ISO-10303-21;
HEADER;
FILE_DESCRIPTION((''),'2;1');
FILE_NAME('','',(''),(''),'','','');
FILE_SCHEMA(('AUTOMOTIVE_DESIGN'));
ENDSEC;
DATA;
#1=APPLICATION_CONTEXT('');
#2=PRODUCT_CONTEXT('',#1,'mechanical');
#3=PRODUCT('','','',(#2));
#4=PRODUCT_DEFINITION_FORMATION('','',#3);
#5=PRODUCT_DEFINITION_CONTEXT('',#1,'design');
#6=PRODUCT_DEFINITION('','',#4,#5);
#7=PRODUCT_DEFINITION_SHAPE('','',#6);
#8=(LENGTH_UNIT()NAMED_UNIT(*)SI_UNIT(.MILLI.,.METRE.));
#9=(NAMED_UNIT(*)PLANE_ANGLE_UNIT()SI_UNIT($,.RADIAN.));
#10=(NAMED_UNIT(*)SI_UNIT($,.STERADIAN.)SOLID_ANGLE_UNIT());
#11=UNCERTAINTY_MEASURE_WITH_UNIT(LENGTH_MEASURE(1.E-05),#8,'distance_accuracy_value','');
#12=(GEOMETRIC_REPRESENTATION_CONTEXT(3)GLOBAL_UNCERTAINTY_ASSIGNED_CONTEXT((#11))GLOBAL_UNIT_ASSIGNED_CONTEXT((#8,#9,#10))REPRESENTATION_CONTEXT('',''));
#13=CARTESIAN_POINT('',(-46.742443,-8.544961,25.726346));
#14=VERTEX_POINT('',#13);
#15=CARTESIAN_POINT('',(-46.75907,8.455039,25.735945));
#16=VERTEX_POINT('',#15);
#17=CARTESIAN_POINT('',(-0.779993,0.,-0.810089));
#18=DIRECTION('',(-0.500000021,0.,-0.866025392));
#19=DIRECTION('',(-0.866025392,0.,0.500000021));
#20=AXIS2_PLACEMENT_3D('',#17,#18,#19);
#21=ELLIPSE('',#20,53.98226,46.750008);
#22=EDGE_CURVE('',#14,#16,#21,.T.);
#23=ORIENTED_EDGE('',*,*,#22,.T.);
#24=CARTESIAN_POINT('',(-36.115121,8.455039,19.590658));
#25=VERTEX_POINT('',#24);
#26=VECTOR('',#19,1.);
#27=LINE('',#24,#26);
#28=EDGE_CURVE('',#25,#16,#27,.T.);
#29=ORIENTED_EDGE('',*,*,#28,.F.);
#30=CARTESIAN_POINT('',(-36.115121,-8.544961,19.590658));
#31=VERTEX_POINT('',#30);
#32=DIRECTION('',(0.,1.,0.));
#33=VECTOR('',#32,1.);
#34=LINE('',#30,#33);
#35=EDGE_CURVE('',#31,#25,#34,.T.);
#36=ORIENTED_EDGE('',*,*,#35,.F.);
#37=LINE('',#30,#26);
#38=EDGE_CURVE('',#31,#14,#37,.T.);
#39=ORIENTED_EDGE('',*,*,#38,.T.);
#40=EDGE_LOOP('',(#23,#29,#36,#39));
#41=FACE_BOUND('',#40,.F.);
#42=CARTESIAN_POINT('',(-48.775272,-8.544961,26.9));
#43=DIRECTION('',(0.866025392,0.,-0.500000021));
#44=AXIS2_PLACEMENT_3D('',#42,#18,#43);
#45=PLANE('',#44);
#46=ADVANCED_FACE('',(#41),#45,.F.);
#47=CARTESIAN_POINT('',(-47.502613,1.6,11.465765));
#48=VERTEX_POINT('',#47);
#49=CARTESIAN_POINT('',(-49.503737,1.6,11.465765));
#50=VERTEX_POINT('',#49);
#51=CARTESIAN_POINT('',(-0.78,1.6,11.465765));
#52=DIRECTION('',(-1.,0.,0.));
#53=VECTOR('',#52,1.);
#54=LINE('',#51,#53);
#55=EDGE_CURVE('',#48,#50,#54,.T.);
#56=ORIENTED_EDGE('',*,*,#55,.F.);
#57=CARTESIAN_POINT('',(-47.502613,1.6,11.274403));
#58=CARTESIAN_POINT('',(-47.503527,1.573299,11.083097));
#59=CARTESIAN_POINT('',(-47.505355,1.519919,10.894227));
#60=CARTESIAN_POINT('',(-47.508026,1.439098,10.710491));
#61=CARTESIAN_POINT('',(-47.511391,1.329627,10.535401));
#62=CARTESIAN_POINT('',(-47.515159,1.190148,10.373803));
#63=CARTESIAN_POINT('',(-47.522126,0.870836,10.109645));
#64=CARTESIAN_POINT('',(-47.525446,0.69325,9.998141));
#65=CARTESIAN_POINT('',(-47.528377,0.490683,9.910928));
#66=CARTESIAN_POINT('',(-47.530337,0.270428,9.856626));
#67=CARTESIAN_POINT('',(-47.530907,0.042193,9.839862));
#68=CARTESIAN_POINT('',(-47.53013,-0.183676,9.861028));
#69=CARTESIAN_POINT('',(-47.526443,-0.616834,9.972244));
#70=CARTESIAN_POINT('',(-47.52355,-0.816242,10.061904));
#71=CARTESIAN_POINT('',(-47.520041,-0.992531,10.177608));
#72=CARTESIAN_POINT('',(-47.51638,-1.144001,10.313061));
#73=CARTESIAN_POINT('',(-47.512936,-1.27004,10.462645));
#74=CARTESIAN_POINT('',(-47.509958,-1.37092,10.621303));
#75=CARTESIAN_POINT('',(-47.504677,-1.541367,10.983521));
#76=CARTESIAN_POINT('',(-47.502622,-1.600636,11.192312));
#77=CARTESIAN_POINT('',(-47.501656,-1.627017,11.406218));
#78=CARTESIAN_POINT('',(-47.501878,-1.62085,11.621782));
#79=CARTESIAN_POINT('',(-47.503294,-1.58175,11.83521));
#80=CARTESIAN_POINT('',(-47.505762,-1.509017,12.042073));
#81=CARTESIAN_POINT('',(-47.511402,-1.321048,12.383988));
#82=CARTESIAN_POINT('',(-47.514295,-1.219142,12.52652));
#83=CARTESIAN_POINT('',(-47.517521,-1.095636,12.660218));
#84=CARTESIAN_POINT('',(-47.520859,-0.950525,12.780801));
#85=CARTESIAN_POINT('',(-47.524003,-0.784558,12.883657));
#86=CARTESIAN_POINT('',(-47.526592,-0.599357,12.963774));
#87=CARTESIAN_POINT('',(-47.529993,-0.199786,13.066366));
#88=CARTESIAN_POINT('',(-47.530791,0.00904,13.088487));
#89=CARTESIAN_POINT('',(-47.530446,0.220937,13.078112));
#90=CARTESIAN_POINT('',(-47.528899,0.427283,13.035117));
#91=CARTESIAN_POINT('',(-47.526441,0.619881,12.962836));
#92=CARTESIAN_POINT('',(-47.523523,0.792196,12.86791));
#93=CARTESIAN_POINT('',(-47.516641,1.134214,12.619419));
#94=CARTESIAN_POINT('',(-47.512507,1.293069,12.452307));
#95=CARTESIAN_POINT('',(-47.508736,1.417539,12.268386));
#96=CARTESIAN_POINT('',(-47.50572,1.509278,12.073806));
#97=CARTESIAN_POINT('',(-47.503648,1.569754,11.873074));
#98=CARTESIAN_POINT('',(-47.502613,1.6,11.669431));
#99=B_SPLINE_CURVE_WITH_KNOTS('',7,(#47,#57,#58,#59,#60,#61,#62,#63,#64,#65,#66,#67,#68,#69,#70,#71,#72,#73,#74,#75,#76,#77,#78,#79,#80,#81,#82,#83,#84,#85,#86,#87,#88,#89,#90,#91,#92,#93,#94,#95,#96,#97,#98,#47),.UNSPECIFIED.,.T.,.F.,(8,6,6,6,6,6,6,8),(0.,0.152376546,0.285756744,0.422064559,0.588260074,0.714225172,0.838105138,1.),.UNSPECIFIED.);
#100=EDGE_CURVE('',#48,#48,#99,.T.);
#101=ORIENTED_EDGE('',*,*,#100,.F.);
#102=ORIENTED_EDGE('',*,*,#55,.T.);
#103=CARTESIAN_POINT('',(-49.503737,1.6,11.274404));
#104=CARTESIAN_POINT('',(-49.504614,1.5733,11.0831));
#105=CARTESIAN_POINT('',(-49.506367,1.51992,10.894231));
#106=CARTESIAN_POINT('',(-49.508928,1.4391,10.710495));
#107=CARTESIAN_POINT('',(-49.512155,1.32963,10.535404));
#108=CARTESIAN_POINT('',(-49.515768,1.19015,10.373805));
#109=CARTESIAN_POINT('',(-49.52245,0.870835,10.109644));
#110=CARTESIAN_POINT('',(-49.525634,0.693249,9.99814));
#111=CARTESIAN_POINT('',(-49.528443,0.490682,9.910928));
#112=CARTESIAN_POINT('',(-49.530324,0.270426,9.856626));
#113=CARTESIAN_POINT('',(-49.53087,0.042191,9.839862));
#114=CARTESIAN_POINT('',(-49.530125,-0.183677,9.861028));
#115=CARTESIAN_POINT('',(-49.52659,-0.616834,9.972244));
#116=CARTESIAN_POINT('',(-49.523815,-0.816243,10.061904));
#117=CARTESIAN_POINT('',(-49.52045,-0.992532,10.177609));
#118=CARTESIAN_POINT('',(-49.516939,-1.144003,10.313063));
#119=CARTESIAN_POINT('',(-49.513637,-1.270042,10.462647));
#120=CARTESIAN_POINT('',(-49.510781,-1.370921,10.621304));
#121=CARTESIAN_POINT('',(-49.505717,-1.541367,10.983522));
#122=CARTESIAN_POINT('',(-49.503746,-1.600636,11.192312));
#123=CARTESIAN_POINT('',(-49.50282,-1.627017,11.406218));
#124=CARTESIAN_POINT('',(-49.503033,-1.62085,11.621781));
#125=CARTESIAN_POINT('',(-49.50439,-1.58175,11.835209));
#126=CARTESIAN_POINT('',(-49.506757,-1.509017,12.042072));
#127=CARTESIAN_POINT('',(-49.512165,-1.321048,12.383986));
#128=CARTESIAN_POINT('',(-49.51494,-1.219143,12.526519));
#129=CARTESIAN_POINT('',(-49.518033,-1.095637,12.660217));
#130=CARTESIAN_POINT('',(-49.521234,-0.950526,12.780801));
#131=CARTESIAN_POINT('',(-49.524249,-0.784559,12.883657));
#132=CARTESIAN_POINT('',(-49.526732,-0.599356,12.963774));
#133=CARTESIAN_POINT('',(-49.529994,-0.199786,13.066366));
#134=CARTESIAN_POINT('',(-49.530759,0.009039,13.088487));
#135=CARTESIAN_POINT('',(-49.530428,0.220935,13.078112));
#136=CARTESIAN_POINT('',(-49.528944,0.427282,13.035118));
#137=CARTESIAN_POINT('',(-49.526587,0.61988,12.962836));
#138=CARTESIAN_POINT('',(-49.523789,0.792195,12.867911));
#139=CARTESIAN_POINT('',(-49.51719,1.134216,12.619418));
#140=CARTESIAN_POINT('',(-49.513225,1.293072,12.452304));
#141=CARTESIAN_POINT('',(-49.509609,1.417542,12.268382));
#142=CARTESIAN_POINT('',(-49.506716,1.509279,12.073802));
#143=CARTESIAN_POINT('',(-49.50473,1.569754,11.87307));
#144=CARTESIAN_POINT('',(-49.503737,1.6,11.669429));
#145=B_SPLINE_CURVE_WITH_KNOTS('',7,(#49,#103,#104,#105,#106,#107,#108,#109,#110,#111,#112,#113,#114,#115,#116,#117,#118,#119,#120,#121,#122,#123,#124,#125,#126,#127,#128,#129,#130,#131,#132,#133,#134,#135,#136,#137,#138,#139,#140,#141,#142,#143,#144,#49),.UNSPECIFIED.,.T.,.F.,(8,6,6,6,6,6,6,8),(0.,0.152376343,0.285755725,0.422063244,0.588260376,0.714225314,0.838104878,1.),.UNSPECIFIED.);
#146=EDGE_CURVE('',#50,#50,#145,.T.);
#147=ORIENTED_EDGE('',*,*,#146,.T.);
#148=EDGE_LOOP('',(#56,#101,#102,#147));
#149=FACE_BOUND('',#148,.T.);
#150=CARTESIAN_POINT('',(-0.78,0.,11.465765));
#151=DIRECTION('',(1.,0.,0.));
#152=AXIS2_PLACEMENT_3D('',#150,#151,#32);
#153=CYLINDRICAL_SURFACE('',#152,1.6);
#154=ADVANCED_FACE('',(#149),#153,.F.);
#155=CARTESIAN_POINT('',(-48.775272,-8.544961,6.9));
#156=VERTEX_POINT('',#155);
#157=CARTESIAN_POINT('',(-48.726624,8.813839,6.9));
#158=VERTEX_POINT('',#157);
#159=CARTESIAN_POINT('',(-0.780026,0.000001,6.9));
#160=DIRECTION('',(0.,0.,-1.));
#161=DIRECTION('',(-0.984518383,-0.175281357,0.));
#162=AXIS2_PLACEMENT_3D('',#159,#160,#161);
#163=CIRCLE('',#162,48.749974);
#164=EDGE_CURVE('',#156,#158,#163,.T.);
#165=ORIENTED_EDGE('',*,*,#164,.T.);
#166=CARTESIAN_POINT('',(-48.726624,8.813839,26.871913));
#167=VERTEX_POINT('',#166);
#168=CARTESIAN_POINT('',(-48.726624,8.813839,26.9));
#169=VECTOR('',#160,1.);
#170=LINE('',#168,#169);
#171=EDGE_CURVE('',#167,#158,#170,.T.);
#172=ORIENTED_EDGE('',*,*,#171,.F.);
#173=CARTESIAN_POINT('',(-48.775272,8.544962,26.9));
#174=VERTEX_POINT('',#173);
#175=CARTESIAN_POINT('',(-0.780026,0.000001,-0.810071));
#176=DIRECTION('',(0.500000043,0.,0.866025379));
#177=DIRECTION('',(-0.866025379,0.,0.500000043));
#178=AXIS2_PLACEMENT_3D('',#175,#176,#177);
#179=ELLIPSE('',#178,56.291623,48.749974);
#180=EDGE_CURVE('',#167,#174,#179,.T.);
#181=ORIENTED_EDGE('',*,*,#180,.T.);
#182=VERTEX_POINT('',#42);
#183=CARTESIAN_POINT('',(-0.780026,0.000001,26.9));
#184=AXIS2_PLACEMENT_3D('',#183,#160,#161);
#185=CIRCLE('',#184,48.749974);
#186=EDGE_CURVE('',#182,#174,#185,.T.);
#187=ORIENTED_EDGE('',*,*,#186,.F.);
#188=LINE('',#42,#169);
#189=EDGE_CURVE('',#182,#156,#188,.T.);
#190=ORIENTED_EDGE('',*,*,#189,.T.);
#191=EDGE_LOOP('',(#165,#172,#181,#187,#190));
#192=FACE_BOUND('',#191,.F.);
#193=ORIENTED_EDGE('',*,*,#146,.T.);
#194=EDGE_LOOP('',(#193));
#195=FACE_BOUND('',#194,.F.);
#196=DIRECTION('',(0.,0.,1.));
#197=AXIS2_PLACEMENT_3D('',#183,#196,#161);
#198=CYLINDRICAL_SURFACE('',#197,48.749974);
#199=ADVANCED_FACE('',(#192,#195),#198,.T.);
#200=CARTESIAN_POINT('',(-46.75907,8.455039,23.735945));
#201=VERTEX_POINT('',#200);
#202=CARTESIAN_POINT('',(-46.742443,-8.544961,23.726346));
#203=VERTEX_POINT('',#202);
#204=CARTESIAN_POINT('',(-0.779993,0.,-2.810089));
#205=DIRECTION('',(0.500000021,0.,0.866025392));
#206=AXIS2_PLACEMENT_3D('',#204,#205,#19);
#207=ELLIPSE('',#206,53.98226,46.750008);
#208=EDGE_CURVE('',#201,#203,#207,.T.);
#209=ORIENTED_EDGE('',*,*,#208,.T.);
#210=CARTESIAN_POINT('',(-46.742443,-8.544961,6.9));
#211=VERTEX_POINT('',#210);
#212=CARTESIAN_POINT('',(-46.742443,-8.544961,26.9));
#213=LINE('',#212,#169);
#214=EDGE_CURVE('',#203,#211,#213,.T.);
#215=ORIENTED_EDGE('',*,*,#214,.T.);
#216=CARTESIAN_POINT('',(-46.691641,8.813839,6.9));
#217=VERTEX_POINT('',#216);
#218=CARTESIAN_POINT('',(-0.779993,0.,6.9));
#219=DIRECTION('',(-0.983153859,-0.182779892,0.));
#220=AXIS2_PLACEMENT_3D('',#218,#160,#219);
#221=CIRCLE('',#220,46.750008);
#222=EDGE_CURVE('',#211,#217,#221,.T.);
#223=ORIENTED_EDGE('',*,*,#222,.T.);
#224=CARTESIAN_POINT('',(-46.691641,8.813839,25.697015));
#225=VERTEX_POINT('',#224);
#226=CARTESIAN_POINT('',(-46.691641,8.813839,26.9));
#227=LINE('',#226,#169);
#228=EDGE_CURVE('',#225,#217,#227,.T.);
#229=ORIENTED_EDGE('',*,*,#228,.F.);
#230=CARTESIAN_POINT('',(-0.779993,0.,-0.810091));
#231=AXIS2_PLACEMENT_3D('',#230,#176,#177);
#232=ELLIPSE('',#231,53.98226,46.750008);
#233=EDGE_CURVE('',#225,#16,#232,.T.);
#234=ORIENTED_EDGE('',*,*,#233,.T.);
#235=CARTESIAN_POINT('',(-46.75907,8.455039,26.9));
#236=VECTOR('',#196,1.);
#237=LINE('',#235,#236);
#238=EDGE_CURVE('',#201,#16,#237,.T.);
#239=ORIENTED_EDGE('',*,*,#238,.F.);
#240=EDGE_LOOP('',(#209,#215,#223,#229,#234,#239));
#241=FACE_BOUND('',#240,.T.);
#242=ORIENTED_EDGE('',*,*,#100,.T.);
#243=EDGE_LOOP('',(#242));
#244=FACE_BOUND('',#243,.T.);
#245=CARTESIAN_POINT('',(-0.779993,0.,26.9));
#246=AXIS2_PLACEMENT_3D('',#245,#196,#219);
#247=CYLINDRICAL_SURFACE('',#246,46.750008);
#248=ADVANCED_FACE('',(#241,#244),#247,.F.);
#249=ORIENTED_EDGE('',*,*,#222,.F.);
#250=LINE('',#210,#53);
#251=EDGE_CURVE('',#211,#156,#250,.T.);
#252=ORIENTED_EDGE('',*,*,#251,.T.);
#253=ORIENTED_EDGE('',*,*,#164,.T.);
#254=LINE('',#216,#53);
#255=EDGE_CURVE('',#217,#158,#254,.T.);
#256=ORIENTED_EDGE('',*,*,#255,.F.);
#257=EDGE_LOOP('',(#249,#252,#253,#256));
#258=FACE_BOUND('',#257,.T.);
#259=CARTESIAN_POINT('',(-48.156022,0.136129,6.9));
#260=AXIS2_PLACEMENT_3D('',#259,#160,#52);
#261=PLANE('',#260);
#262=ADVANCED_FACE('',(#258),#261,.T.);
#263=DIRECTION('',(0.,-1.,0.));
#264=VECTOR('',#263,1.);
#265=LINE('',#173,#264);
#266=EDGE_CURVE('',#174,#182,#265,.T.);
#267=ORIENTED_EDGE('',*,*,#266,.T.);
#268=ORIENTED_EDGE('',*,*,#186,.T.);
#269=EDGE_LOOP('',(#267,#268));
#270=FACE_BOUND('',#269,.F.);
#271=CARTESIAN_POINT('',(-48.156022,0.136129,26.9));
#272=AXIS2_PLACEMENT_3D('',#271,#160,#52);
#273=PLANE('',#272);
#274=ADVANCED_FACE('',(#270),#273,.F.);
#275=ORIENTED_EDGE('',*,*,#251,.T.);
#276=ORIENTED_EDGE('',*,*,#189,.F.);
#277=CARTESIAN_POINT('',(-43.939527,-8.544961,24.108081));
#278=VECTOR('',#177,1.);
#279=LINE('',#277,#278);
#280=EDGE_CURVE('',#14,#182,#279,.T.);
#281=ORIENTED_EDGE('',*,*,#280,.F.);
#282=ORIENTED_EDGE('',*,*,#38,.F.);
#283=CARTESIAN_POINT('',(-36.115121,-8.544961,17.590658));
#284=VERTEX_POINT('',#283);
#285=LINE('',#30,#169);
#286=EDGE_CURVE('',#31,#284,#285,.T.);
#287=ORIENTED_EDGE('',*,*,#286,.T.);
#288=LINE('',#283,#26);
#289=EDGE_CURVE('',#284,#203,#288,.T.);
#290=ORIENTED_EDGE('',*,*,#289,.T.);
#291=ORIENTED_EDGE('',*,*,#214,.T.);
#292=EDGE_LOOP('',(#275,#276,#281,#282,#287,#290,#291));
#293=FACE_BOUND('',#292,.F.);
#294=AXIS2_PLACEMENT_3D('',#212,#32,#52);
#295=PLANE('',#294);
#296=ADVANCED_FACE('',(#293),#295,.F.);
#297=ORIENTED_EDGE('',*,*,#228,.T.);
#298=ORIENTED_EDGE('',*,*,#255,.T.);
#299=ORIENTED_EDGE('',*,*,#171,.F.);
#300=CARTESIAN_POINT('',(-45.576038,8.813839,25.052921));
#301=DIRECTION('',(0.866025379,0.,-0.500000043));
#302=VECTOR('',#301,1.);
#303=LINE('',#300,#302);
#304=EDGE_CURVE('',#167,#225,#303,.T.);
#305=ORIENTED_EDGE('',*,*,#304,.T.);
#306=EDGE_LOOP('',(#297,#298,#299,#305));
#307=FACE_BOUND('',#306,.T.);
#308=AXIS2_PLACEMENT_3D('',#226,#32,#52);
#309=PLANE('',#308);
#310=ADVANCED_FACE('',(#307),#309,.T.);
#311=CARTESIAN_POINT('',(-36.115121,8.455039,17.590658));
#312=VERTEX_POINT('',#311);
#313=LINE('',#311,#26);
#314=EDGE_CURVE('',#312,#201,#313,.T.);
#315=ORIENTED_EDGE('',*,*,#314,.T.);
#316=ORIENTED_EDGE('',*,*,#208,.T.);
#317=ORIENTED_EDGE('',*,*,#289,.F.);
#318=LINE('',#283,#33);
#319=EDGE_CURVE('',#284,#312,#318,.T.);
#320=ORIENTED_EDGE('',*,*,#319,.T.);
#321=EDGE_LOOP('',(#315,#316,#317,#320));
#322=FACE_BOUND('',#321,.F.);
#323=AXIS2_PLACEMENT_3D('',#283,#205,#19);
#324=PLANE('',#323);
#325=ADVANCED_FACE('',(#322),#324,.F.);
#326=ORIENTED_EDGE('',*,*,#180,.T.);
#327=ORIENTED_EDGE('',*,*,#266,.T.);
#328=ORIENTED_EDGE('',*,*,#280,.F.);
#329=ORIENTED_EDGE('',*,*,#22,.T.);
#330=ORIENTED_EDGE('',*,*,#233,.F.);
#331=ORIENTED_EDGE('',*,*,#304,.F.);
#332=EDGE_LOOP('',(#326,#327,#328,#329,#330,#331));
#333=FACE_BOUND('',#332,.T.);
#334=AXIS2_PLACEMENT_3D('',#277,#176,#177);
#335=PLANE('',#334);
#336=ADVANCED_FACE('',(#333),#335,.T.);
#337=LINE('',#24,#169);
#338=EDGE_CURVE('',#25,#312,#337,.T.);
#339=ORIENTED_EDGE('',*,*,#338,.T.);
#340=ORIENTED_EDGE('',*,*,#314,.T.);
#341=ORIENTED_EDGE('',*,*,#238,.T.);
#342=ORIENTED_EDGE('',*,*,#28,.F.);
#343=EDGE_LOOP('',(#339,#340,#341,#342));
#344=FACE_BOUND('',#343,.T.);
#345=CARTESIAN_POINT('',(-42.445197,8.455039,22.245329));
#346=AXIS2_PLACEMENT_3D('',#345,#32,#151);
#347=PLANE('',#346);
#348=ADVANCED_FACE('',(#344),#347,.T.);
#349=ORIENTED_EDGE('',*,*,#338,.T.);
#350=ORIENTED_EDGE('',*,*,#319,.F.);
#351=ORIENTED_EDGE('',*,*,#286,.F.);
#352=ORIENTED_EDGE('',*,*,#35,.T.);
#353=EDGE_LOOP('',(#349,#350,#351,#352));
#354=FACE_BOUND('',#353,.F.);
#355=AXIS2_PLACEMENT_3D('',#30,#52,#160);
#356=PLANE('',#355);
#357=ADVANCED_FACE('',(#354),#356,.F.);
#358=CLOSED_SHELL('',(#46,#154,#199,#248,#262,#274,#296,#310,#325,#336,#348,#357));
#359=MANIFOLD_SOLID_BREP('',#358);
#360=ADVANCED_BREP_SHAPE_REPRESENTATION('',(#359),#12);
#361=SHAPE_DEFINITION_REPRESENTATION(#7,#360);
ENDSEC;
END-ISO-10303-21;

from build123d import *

# Parameters (mm, degrees)
PAD011_DEPTH            = 20
PAD012_DEPTH            = 17
POCKET007_DEPTH         = 17.359799
SKETCH024_R             = 1.6
POCKET008_DEPTH         = 48.751
BODY008_PLACEMENT_ANGLE = 180


with BuildPart() as part:
    # Sketch021 → Pad011 (new body)
    with BuildSketch(Plane.XY):
        with BuildLine():
            ThreePointArc((47.995272, -8.544961), (48.749809, 0.136622), (47.946624, 8.813839))
            Line((45.911641, 8.813839), (47.946624, 8.813839))
            ThreePointArc((45.962443, -8.544961), (46.7498, 0.136818), (45.911641, 8.813839))
            Line((45.962443, -8.544961), (47.995272, -8.544961))
        make_face()
    extrude(amount=PAD011_DEPTH)

    # Sketch022 (on Face1 of Pad011) → Pad012 (join)
    with BuildSketch(Plane.XZ.offset(8.544961)):
        Polygon((47.995272, 0), (35.335121, 7.309342), (35.335121, 9.309342), (47.995272, 2), align=None)
    extrude(amount=-PAD012_DEPTH)

    # Sketch023 (on Face1 of Pad012) → Pocket007 (cut, through all)
    with BuildSketch(Plane.XZ.offset(8.544961)):
        Polygon((43.159527, 2.791919), (47.995272, 0), (43.159527, 0), align=None)
    extrude(amount=-POCKET007_DEPTH, mode=Mode.SUBTRACT)

    # Sketch024 → Pocket008 (cut, through all)
    with BuildSketch(Plane.YZ):
        with Locations((0, 15.434235)):
            Circle(SKETCH024_R)
    extrude(amount=POCKET008_DEPTH, mode=Mode.SUBTRACT)


with BuildPart() as part_1:
    # Body008 placement: moved
    add(part.part.moved(Location((-0.78, 0, 26.9))).rotate(Axis((-0.78, 0, 26.9), (0, 1, 0)), BODY008_PLACEMENT_ANGLE))


solid = part_1.part
